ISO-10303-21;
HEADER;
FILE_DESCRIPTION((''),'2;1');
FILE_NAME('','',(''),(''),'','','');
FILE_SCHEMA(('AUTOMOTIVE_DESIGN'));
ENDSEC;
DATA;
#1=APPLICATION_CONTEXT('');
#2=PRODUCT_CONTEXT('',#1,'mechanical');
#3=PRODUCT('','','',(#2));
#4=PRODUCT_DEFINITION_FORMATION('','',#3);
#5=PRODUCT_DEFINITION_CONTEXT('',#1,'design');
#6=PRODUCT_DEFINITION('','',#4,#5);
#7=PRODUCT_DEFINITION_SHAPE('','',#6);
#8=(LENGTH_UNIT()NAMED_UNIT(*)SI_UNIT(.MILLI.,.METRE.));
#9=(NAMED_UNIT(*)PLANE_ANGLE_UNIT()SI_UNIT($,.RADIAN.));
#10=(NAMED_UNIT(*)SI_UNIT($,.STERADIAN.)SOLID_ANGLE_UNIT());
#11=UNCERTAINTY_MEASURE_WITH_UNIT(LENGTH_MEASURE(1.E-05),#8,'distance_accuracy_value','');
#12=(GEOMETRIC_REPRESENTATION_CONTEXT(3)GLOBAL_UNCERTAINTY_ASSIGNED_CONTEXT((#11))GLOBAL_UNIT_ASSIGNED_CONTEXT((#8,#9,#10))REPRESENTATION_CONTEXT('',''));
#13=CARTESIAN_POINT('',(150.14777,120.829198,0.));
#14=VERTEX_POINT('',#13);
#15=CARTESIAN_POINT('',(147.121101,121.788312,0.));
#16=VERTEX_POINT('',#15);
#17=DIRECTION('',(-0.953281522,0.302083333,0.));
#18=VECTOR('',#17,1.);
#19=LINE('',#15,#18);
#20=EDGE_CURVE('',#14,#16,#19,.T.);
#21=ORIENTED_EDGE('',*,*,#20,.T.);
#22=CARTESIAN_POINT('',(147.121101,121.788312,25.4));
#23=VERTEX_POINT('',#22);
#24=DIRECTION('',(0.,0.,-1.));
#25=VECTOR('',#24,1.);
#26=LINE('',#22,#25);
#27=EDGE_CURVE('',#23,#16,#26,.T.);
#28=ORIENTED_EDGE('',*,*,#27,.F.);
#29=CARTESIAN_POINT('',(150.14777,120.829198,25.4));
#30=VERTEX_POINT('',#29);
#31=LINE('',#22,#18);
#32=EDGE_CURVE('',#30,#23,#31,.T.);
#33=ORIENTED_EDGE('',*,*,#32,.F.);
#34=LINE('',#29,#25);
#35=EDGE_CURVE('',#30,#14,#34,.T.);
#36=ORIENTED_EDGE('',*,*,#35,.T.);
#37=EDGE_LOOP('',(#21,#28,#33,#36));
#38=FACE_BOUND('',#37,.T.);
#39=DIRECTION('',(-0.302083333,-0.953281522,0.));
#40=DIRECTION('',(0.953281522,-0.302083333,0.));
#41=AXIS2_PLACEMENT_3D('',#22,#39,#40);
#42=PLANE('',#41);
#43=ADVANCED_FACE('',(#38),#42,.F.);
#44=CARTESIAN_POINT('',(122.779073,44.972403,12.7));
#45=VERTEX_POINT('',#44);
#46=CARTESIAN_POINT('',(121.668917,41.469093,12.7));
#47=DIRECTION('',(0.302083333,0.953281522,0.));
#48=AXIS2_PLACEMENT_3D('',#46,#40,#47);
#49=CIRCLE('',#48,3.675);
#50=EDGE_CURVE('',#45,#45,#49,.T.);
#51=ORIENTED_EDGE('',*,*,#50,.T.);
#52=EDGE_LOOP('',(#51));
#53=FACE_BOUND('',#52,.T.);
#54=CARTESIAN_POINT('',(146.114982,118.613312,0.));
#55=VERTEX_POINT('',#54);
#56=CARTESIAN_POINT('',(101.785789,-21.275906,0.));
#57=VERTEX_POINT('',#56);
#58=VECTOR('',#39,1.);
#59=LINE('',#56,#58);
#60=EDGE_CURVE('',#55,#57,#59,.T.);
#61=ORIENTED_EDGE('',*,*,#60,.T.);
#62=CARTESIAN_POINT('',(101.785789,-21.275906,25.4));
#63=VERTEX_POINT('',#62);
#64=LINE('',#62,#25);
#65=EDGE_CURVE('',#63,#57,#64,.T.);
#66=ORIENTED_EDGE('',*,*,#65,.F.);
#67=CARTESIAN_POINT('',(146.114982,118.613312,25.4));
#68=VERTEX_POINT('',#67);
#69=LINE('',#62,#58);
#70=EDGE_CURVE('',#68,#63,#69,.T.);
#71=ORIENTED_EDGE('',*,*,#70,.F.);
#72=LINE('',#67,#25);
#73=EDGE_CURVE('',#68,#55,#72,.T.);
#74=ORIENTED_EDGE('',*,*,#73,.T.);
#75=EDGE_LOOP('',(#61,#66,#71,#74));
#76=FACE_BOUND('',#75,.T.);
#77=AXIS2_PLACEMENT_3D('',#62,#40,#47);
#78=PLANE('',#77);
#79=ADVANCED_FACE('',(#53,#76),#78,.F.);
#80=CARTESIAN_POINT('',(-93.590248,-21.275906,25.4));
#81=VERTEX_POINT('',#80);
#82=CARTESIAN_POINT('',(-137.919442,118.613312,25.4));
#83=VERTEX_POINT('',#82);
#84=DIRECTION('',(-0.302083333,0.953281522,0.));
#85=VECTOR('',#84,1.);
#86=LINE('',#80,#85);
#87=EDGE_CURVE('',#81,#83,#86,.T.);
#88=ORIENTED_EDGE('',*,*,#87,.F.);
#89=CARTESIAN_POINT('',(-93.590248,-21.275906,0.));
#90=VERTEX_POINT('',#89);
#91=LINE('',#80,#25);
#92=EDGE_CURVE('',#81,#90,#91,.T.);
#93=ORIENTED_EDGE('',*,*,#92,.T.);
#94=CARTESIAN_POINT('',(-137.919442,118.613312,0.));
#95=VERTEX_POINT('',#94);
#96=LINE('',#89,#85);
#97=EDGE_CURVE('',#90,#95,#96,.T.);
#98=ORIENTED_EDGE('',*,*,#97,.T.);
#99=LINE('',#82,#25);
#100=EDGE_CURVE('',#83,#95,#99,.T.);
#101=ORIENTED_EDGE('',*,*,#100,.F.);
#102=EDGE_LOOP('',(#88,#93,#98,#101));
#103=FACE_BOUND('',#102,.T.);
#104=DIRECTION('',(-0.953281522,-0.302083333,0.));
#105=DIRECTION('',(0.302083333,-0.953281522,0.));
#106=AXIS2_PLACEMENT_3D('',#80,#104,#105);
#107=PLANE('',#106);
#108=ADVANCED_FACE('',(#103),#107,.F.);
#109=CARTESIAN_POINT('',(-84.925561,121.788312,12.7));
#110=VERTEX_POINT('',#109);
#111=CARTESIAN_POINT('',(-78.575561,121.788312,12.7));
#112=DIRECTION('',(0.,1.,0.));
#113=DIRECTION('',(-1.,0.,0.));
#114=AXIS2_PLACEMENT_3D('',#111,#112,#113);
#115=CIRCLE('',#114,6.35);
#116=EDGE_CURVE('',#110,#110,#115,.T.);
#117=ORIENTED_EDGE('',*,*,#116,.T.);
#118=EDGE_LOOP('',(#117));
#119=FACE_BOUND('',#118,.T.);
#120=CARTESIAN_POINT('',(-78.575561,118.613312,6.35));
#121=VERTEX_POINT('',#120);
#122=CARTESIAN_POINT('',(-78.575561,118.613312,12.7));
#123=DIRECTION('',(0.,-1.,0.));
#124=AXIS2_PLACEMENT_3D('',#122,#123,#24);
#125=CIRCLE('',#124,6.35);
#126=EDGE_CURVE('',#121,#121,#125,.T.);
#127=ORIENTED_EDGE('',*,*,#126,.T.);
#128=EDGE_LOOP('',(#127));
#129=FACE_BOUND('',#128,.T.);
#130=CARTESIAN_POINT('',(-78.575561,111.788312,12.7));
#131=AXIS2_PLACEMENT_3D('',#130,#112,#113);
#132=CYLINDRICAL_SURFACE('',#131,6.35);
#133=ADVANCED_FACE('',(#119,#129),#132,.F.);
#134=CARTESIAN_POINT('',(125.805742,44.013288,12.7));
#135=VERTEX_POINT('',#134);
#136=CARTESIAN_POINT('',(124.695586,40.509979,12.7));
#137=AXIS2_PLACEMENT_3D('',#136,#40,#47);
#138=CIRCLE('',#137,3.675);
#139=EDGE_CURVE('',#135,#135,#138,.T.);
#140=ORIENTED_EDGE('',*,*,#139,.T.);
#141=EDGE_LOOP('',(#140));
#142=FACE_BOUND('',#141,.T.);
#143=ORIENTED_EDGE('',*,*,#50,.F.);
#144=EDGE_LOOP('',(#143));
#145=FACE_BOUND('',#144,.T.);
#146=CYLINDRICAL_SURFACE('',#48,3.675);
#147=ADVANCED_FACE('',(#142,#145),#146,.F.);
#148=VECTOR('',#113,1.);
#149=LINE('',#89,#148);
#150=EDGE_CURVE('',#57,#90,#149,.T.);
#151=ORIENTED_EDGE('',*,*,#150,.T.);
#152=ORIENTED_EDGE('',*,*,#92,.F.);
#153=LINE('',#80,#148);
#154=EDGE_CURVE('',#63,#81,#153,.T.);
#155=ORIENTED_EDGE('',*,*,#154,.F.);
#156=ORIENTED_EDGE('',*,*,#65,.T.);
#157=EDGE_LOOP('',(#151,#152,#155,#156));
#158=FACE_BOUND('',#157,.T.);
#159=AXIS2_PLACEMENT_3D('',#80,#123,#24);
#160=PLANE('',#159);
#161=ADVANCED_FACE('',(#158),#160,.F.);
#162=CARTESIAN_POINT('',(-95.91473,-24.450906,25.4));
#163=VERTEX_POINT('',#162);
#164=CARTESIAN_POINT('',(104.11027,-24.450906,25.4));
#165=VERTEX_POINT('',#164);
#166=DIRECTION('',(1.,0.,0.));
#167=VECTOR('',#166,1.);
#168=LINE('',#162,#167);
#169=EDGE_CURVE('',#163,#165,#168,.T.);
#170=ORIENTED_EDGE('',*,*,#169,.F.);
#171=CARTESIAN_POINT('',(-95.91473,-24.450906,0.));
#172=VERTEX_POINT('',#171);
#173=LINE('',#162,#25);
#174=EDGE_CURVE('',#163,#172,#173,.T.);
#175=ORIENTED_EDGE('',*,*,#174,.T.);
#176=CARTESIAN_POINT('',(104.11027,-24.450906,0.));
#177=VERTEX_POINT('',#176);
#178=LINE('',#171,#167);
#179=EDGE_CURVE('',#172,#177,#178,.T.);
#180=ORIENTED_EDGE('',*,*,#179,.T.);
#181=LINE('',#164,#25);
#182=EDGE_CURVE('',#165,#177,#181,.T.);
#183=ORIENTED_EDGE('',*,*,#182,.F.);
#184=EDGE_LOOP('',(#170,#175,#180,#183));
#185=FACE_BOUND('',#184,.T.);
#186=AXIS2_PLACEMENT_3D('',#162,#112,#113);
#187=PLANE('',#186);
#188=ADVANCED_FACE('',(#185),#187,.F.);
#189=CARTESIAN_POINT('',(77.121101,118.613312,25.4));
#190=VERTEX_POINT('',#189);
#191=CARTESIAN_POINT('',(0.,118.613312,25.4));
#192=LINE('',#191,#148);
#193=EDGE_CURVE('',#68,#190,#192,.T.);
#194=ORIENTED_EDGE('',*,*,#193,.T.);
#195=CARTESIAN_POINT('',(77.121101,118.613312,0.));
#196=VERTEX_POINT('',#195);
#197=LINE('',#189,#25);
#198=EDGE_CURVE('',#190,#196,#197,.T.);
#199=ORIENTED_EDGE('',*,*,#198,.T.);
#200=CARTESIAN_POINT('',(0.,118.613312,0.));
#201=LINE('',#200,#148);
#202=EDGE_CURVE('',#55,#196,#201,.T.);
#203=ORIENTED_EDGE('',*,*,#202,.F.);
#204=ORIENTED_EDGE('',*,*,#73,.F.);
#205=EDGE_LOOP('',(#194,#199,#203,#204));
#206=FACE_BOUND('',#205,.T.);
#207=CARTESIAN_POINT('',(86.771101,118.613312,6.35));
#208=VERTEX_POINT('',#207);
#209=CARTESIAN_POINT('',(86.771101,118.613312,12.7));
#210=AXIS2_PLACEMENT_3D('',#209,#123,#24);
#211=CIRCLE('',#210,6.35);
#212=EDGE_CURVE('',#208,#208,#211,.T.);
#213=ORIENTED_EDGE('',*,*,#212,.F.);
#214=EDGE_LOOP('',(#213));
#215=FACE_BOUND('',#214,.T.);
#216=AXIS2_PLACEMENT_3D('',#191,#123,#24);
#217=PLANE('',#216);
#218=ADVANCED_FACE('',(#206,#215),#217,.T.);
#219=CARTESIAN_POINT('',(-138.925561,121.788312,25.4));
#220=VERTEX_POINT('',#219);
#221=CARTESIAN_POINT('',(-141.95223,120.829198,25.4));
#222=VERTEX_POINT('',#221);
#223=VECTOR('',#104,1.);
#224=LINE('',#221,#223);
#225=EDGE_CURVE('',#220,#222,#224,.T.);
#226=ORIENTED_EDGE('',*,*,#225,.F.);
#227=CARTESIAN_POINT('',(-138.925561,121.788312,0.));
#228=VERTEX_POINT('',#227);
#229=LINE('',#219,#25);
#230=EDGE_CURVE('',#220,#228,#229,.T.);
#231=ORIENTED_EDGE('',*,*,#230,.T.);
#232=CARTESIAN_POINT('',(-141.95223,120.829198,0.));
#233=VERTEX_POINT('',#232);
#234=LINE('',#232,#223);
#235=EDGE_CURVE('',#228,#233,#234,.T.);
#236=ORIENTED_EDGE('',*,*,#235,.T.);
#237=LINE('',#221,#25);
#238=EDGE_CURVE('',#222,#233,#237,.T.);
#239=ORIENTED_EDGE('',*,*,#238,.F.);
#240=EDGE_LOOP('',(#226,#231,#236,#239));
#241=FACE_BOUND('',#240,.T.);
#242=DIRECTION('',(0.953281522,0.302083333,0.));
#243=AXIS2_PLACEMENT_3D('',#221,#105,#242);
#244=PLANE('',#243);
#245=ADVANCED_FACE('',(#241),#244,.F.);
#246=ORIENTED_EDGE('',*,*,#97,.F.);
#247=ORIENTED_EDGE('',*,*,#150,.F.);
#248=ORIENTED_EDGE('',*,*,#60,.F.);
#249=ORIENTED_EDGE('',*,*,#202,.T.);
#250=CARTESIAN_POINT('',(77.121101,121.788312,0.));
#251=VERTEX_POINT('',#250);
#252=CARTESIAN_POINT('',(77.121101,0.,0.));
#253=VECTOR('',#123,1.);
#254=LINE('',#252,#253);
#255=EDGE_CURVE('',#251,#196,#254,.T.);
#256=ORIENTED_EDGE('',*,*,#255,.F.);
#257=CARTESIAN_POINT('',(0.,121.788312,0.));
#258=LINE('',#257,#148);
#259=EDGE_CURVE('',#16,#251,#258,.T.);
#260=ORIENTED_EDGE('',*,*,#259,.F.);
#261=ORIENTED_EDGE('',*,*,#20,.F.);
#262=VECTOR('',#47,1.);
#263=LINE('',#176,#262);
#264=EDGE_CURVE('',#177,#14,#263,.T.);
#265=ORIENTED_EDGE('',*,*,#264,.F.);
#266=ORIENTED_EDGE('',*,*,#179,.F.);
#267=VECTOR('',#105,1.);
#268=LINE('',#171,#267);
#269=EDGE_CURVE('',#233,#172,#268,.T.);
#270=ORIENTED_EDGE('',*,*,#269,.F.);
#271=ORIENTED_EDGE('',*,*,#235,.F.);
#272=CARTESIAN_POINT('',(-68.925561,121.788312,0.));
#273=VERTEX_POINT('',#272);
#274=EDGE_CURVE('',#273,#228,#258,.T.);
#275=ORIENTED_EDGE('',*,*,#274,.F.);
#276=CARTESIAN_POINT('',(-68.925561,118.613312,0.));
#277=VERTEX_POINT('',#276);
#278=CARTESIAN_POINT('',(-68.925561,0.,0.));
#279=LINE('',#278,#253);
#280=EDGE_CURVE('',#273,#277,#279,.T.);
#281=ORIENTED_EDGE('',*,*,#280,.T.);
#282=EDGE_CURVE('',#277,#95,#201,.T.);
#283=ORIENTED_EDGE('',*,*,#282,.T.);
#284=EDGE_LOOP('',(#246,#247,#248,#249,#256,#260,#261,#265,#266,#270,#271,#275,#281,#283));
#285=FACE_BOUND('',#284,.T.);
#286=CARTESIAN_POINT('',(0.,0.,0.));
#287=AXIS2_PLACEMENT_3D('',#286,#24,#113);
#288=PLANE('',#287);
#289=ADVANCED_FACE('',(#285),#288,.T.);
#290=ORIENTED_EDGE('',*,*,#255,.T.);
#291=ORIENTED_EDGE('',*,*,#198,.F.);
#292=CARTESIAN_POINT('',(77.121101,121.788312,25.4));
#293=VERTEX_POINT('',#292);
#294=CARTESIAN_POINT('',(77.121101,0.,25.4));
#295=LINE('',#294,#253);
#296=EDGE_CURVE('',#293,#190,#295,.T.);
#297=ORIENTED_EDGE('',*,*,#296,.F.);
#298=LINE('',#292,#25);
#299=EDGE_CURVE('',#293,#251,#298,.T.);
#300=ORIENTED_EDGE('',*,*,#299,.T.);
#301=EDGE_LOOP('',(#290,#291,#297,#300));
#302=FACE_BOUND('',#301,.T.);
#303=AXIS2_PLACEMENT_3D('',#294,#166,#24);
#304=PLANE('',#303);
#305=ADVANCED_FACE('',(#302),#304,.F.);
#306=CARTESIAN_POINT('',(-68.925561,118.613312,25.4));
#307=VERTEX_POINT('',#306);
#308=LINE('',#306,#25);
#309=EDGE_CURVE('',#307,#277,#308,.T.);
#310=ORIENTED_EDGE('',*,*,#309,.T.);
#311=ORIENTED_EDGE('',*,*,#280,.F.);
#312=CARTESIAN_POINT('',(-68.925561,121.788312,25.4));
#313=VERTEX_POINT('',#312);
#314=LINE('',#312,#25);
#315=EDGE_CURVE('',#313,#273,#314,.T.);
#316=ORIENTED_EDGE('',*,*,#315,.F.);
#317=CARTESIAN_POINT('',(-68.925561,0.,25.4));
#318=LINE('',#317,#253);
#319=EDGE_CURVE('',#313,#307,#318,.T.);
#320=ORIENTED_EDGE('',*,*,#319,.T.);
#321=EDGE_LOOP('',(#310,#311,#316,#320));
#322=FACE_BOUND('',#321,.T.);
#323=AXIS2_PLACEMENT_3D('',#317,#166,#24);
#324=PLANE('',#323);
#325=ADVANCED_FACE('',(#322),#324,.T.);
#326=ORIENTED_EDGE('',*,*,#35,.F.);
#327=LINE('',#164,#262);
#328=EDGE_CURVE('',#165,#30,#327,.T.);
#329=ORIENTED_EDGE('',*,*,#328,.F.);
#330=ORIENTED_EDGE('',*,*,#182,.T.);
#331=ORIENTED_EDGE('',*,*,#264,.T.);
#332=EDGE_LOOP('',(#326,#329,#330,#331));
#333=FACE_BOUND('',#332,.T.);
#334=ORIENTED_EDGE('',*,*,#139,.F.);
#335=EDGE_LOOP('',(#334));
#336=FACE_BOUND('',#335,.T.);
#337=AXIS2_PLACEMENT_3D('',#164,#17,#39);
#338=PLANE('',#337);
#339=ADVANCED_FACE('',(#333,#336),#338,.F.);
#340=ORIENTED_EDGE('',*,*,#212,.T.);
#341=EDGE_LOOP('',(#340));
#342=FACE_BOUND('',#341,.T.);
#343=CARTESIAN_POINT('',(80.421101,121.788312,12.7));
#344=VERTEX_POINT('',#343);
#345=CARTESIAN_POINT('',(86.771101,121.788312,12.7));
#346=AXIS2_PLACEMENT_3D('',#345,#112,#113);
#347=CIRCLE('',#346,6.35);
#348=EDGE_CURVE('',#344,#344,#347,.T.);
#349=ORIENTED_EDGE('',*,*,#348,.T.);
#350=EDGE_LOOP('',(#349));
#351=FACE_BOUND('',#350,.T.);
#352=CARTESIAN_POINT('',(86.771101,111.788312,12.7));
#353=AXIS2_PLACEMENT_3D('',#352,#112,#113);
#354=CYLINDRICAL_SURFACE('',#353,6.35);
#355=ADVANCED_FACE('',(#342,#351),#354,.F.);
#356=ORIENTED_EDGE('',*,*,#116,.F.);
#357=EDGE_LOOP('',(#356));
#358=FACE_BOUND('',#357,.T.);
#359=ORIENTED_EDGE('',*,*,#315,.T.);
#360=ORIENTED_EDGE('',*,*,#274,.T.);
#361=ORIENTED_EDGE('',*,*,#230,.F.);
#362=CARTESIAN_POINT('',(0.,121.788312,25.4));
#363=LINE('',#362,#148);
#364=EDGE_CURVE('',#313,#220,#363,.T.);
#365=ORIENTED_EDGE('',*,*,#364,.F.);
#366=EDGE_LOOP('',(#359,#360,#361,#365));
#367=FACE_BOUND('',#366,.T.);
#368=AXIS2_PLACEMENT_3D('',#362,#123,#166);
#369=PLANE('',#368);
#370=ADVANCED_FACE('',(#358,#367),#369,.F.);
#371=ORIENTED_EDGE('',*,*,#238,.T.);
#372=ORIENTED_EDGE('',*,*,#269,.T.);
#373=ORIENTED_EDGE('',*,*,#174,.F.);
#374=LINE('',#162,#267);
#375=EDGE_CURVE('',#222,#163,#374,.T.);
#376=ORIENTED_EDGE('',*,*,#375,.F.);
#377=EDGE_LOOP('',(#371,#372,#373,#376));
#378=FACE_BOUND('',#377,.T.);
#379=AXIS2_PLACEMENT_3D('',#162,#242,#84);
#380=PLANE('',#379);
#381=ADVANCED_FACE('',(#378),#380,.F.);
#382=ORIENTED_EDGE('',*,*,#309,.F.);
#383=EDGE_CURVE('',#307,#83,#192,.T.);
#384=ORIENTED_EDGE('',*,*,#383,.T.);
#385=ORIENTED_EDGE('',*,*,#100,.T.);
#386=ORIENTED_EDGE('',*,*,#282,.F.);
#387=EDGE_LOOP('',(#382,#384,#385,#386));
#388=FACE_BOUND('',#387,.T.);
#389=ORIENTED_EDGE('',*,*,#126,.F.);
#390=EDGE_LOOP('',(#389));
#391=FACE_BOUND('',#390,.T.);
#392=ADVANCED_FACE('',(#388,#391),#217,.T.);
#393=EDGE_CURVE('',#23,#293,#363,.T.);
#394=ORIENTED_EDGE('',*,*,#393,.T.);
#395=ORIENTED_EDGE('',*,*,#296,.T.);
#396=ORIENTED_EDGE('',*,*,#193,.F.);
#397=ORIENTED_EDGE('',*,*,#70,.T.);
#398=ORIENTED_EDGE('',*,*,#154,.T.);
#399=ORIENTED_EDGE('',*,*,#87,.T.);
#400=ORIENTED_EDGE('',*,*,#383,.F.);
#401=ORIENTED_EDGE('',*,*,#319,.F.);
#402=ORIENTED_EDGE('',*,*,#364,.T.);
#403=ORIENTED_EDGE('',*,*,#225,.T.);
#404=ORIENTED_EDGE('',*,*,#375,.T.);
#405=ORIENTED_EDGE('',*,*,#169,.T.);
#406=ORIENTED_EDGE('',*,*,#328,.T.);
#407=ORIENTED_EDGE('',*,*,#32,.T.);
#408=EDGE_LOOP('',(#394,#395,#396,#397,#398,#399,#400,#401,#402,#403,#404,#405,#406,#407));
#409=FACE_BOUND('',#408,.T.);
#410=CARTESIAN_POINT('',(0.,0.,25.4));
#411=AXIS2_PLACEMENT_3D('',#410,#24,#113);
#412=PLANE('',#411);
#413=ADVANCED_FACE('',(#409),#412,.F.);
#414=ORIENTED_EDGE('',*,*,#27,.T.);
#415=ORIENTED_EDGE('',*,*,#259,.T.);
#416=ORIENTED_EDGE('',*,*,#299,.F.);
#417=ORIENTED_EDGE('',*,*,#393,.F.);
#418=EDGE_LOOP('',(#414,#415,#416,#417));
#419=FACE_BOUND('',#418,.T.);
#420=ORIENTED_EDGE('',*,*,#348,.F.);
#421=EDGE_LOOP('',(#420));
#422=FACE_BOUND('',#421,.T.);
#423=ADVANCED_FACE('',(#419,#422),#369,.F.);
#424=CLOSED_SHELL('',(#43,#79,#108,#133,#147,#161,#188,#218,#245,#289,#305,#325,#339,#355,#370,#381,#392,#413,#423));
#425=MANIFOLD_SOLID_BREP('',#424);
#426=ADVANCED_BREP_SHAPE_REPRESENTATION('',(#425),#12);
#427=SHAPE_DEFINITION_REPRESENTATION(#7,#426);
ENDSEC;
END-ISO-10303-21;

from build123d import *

# Parameters (mm, degrees)
BOSS_EXTRUDE1_DEPTH = 25.4
BOSS_EXTRUDE2_DEPTH = 25.4
SKETCH6_R           = 6.35
CUT_EXTRUDE1_DEPTH  = 10
SKETCH7_R           = 3.675
CUT_EXTRUDE2_DEPTH  = 3.175


with BuildPart() as part:
    # Sketch1 → Boss-Extrude1 (new body)
    with BuildSketch(Plane.XY):
        Polygon((-95.914729745, -24.450906393), (104.110270255, -24.450906393), (150.147770255, 120.829197523), (147.121101424, 121.788312106), (101.785788593, -21.275906393), (-93.590248082, -21.275906393), (-138.925560913, 121.788312106), (-141.952229745, 120.829197523), align=None)
    extrude(amount=BOSS_EXTRUDE1_DEPTH)

    # Sketch4 → Boss-Extrude2 (add)
    with BuildSketch(Plane(origin=(0, 0, 0), x_dir=(-1, 0, 0), z_dir=(0, 0, -1))):
        Polygon((-77.121101424, 121.788312106), (-147.121101424, 121.788312106), (-150.147770255, 120.829197523), (-146.114982495, 118.613312106), (-77.121101424, 118.613312106), align=None)
        Polygon((138.925560913, 121.788312106), (68.925560913, 121.788312106), (68.925560913, 118.613312106), (137.919441985, 118.613312106), (141.952229745, 120.829197523), align=None)
    extrude(amount=-BOSS_EXTRUDE2_DEPTH)

    # Sketch6 → Cut-Extrude1 (cut)
    with BuildSketch(Plane(origin=(0, 121.788312106, 0), x_dir=(1, 0, 0), z_dir=(0, 1, 0))):
        with Locations((-78.575560913, -12.7)):
            Circle(SKETCH6_R)
        with Locations((86.771101424, -12.7)):
            Circle(SKETCH6_R)
    extrude(amount=-CUT_EXTRUDE1_DEPTH, mode=Mode.SUBTRACT)

    # Sketch7 → Cut-Extrude2 (cut)
    with BuildSketch(Plane(origin=(101.650894981, -32.211933717, 0), x_dir=(0, 0, -1), z_dir=(0.953281522, -0.302083333, 0))):
        with Locations((-12.7, 76.285872314)):
            Circle(SKETCH7_R)
    extrude(amount=-CUT_EXTRUDE2_DEPTH, mode=Mode.SUBTRACT)


solid = part.part
